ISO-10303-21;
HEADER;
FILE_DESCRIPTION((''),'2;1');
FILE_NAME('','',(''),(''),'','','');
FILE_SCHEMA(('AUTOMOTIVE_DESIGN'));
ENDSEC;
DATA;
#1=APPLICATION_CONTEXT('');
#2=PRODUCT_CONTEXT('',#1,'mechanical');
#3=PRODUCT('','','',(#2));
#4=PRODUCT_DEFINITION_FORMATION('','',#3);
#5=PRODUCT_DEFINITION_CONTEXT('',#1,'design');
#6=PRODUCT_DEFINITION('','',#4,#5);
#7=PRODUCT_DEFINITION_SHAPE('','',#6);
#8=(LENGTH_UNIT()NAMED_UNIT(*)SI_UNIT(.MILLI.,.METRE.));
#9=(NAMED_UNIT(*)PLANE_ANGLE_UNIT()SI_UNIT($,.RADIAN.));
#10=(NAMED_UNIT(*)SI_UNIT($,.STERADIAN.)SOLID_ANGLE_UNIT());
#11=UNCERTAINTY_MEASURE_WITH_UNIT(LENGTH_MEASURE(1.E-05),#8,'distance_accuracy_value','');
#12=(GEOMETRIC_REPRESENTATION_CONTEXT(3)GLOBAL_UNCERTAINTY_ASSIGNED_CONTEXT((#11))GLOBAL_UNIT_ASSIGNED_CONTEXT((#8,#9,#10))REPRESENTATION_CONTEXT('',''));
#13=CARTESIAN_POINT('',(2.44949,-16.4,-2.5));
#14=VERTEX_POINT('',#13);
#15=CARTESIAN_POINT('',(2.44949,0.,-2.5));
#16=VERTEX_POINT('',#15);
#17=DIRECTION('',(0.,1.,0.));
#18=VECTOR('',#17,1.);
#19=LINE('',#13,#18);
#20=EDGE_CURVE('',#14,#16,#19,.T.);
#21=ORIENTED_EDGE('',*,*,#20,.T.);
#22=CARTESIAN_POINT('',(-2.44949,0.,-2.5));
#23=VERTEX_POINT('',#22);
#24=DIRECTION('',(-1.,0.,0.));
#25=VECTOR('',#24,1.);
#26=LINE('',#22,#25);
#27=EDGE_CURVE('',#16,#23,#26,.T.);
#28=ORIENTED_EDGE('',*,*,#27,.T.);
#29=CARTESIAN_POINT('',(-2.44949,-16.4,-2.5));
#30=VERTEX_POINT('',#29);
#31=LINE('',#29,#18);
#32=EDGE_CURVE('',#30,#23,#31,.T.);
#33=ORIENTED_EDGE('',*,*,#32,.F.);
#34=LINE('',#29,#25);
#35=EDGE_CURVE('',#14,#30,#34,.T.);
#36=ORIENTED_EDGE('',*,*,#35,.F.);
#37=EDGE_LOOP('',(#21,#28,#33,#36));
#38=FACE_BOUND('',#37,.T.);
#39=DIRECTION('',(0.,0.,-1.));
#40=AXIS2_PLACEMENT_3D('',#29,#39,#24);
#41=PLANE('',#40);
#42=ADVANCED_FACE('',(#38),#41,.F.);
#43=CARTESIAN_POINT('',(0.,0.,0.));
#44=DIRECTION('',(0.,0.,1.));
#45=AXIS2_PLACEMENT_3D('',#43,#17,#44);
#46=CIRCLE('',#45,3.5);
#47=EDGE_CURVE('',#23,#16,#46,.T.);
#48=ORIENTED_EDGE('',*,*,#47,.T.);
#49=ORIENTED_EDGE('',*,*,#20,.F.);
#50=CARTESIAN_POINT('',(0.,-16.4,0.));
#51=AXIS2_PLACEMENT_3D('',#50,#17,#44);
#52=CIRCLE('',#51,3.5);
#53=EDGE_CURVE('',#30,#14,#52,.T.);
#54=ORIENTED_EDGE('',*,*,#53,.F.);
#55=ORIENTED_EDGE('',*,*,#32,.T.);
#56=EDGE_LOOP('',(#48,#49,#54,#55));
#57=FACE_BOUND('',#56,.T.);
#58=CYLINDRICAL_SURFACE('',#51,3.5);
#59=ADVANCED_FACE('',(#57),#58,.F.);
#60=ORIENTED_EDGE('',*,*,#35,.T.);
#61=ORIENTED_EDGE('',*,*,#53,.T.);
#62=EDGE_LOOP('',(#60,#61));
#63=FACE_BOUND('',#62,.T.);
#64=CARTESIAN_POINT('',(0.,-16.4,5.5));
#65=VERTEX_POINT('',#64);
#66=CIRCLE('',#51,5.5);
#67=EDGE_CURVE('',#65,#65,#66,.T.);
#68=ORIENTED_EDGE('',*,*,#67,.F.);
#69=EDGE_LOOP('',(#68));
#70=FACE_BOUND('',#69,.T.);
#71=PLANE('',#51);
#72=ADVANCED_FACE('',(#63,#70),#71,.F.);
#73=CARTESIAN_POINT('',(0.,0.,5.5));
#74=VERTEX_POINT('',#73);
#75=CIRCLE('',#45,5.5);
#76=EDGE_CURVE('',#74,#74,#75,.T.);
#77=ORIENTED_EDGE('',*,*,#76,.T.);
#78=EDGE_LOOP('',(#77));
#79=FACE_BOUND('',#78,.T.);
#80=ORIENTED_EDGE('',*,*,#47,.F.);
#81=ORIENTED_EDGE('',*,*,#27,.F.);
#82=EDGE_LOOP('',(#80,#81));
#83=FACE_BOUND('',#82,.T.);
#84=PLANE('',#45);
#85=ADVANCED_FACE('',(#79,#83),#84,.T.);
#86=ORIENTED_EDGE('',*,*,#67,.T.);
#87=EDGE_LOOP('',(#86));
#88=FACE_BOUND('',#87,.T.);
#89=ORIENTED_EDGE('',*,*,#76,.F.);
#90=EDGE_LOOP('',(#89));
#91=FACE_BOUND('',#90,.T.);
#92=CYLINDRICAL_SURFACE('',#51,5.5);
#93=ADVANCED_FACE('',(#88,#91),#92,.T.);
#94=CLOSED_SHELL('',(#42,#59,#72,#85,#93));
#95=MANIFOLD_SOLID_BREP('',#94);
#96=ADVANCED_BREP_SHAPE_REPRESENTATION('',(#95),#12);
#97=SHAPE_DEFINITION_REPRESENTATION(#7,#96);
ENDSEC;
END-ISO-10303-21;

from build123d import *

# Parameters (mm, degrees)
SKETCH1_R           = 5.5
BOSS_EXTRUDE1_DEPTH = 16.4
CUT_EXTRUDE1_DEPTH  = 19.151033028


with BuildPart() as part:
    # Sketch1 → Boss-Extrude1 (new body)
    with BuildSketch(Plane(origin=(0, 0, 0), x_dir=(1, 0, 0), z_dir=(0, 1, 0))):
        with Locations(Location((0, 0, 0), (0, 0, 270))):
            Circle(SKETCH1_R)
    extrude(amount=-BOSS_EXTRUDE1_DEPTH)

    # Sketch3 → Cut-Extrude1 (cut, through all)
    with BuildSketch(Plane(origin=(0, 0, 0), x_dir=(1, 0, 0), z_dir=(0, 1, 0))):
        with BuildLine():
            Line((-2.449489743, 2.5), (2.449489743, 2.5))
            ThreePointArc((2.449489743, 2.5), (0, -3.5), (-2.449489743, 2.5))
        make_face()
    extrude(amount=-CUT_EXTRUDE1_DEPTH, mode=Mode.SUBTRACT)


solid = part.part
